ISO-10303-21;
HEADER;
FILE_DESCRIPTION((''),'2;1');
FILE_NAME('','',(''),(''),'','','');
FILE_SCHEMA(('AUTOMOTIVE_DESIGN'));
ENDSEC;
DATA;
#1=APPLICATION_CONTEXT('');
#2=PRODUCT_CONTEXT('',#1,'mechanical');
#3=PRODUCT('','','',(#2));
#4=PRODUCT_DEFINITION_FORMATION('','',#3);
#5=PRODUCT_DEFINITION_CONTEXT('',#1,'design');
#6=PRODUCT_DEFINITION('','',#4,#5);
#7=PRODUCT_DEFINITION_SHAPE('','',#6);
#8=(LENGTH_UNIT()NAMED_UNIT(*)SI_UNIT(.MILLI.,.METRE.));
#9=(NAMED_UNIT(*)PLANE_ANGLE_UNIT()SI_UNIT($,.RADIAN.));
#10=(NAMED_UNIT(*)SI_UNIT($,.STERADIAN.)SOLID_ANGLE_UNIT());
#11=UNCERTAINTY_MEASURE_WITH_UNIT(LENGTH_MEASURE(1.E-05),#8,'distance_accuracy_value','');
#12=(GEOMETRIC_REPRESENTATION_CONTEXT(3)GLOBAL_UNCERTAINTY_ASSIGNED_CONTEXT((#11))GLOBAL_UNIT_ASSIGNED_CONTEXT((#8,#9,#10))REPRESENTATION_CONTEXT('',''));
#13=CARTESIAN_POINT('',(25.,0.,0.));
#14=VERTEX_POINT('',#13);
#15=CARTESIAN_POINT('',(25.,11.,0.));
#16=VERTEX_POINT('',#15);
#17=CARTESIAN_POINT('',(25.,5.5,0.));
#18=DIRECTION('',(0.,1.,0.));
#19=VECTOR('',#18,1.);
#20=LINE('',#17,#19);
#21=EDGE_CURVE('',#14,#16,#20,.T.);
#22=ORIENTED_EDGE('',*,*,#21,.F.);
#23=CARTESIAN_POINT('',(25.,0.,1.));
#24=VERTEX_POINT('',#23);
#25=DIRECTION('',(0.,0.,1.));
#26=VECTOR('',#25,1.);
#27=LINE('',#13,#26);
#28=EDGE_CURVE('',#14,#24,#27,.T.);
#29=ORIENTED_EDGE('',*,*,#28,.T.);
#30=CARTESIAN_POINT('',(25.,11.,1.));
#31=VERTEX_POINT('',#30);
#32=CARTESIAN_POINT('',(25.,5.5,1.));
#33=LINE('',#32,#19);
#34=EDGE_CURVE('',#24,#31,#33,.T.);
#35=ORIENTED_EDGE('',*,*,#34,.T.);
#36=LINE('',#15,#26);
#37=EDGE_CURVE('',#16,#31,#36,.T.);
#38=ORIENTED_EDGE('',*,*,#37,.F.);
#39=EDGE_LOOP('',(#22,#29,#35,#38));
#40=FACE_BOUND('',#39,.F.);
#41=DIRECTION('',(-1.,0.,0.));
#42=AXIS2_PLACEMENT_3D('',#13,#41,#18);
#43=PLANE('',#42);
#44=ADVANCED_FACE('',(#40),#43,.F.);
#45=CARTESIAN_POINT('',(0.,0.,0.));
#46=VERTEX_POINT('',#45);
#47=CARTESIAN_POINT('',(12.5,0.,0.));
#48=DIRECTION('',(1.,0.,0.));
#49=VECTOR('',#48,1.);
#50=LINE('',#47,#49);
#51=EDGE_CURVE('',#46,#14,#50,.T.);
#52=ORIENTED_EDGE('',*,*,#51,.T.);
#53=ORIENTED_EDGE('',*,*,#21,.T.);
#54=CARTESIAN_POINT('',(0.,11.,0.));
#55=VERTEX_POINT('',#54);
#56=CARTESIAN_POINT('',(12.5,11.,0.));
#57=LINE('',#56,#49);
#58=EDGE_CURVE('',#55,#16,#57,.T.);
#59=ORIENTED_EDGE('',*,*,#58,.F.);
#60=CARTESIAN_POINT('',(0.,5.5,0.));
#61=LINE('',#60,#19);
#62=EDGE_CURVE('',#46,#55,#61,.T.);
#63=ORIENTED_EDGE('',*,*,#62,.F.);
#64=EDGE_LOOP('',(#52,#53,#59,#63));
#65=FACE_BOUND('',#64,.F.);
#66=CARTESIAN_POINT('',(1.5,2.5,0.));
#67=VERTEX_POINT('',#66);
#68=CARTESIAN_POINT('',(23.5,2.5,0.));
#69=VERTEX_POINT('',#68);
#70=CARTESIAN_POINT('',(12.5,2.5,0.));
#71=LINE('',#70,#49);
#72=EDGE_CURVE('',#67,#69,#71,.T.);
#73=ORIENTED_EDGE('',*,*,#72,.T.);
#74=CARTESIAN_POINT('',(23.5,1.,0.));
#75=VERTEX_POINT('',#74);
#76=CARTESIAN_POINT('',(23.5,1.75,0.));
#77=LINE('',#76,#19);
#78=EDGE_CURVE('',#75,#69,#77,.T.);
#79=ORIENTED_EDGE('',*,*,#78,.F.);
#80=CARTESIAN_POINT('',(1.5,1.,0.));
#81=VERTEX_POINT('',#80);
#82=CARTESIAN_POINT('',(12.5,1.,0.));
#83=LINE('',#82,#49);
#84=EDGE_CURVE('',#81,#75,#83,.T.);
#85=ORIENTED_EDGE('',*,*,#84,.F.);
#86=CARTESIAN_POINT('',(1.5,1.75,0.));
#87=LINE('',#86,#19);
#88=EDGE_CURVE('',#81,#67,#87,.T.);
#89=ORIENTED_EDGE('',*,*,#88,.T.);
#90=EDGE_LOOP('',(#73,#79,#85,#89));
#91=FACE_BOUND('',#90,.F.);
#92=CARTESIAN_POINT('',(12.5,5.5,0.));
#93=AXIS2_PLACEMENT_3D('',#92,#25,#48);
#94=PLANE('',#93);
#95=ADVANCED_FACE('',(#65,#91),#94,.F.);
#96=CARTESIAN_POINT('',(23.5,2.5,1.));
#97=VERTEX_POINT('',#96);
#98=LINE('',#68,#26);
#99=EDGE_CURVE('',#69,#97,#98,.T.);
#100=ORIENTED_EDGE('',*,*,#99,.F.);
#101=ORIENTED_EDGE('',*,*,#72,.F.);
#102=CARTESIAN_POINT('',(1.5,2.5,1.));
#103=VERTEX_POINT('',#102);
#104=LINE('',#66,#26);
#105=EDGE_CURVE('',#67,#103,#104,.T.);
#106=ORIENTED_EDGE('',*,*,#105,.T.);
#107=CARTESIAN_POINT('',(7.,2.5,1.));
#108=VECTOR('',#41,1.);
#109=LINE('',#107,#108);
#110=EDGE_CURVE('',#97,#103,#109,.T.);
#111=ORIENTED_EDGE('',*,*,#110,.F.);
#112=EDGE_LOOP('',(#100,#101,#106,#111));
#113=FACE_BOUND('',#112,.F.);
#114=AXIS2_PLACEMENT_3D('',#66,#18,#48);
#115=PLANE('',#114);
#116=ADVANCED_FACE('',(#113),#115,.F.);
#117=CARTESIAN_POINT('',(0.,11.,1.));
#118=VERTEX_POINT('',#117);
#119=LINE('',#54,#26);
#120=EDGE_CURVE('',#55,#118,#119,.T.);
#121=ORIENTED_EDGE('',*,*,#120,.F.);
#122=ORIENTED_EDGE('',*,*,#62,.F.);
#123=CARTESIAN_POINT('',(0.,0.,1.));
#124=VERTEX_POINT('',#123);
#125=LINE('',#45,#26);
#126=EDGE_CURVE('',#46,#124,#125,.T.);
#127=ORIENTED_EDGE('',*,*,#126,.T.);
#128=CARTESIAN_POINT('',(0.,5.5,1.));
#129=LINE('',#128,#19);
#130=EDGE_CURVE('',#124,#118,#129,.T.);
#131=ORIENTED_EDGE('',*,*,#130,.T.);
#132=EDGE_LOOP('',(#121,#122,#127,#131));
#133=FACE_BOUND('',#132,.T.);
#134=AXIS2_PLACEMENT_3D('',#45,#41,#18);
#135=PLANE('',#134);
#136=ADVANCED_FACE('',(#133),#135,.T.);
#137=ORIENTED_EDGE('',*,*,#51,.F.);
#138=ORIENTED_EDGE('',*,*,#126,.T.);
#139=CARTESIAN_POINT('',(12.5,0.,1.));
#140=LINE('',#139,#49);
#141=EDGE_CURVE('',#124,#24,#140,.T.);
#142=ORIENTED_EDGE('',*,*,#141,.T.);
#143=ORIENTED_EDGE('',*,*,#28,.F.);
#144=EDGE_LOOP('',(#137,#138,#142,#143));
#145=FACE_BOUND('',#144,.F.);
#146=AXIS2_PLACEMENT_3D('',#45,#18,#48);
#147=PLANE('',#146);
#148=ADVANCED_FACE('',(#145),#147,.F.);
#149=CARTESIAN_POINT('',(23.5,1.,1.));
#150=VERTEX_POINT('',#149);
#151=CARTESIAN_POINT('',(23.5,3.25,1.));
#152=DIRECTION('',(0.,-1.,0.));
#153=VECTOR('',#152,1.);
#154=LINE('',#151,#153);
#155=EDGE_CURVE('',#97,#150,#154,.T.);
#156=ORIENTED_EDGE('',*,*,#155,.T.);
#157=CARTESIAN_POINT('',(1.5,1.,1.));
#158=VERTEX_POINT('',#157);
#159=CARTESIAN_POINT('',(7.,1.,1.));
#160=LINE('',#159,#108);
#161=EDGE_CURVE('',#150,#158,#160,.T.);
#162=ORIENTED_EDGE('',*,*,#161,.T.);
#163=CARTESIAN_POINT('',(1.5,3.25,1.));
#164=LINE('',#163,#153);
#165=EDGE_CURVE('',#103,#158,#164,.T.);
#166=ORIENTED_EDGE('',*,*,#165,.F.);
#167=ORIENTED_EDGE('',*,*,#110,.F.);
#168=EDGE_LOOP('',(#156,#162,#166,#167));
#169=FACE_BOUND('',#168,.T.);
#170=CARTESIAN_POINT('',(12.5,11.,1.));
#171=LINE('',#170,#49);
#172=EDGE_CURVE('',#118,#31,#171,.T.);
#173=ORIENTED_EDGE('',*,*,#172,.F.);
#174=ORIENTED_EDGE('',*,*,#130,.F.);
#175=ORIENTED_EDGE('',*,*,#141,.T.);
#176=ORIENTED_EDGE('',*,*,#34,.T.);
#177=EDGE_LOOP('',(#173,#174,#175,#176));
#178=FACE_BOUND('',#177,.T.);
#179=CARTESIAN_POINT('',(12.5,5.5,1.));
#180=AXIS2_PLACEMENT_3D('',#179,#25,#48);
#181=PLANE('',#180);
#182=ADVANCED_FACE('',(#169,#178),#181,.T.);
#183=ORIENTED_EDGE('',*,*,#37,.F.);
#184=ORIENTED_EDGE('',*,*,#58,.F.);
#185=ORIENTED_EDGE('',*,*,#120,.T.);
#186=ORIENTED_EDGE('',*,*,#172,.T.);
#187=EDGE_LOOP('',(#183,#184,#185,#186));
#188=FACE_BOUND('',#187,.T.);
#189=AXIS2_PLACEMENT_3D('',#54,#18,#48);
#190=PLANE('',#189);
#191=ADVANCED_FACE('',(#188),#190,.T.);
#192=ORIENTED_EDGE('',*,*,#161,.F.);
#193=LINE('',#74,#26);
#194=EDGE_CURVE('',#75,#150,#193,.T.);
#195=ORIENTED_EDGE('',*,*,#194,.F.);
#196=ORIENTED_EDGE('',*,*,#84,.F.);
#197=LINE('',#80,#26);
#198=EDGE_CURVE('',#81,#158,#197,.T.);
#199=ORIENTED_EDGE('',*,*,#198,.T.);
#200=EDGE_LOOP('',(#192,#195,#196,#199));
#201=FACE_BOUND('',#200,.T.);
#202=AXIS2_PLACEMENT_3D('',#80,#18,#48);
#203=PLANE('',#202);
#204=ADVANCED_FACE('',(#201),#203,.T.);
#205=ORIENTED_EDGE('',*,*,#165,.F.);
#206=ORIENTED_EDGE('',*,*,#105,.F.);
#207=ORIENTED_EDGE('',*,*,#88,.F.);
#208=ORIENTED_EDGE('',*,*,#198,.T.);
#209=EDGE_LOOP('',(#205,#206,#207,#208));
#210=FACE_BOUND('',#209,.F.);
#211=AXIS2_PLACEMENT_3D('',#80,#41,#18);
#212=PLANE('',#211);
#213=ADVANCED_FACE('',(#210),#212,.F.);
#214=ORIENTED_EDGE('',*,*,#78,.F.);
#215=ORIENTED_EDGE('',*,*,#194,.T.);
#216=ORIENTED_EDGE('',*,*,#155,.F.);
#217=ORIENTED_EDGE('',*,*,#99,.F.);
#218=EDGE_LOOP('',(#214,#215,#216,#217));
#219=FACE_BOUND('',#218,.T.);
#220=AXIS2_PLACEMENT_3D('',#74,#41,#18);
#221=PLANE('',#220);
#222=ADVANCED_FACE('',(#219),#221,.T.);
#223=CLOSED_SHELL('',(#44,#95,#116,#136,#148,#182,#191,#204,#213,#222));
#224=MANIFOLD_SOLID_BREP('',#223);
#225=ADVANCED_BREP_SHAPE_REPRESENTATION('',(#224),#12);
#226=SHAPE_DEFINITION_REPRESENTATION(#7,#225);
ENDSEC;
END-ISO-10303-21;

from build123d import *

# Parameters (mm, degrees)
BOX120_W     = 22
BOX120_H     = 1.5
BOX120_DEPTH = 2
BOX119_W     = 25
BOX119_H     = 11
BOX119_DEPTH = 1


with BuildPart() as longledhole001:
    # Box120 → Box120 (new body)
    with BuildSketch(Plane(origin=(1.5, 1, 0), x_dir=(1, 0, 0), z_dir=(0, 0, 1))):
        with Locations((11, 0.75)):
            Rectangle(BOX120_W, BOX120_H)
    extrude(amount=BOX120_DEPTH)


with BuildPart() as cut018:
    # Box119 → Box119 (new body)
    with BuildSketch(Plane.XY):
        with Locations((12.5, 5.5)):
            Rectangle(BOX119_W, BOX119_H)
    extrude(amount=BOX119_DEPTH)

    # Cut018: cut LongLedHole001
    add(longledhole001.part, mode=Mode.SUBTRACT)


solid = cut018.part
